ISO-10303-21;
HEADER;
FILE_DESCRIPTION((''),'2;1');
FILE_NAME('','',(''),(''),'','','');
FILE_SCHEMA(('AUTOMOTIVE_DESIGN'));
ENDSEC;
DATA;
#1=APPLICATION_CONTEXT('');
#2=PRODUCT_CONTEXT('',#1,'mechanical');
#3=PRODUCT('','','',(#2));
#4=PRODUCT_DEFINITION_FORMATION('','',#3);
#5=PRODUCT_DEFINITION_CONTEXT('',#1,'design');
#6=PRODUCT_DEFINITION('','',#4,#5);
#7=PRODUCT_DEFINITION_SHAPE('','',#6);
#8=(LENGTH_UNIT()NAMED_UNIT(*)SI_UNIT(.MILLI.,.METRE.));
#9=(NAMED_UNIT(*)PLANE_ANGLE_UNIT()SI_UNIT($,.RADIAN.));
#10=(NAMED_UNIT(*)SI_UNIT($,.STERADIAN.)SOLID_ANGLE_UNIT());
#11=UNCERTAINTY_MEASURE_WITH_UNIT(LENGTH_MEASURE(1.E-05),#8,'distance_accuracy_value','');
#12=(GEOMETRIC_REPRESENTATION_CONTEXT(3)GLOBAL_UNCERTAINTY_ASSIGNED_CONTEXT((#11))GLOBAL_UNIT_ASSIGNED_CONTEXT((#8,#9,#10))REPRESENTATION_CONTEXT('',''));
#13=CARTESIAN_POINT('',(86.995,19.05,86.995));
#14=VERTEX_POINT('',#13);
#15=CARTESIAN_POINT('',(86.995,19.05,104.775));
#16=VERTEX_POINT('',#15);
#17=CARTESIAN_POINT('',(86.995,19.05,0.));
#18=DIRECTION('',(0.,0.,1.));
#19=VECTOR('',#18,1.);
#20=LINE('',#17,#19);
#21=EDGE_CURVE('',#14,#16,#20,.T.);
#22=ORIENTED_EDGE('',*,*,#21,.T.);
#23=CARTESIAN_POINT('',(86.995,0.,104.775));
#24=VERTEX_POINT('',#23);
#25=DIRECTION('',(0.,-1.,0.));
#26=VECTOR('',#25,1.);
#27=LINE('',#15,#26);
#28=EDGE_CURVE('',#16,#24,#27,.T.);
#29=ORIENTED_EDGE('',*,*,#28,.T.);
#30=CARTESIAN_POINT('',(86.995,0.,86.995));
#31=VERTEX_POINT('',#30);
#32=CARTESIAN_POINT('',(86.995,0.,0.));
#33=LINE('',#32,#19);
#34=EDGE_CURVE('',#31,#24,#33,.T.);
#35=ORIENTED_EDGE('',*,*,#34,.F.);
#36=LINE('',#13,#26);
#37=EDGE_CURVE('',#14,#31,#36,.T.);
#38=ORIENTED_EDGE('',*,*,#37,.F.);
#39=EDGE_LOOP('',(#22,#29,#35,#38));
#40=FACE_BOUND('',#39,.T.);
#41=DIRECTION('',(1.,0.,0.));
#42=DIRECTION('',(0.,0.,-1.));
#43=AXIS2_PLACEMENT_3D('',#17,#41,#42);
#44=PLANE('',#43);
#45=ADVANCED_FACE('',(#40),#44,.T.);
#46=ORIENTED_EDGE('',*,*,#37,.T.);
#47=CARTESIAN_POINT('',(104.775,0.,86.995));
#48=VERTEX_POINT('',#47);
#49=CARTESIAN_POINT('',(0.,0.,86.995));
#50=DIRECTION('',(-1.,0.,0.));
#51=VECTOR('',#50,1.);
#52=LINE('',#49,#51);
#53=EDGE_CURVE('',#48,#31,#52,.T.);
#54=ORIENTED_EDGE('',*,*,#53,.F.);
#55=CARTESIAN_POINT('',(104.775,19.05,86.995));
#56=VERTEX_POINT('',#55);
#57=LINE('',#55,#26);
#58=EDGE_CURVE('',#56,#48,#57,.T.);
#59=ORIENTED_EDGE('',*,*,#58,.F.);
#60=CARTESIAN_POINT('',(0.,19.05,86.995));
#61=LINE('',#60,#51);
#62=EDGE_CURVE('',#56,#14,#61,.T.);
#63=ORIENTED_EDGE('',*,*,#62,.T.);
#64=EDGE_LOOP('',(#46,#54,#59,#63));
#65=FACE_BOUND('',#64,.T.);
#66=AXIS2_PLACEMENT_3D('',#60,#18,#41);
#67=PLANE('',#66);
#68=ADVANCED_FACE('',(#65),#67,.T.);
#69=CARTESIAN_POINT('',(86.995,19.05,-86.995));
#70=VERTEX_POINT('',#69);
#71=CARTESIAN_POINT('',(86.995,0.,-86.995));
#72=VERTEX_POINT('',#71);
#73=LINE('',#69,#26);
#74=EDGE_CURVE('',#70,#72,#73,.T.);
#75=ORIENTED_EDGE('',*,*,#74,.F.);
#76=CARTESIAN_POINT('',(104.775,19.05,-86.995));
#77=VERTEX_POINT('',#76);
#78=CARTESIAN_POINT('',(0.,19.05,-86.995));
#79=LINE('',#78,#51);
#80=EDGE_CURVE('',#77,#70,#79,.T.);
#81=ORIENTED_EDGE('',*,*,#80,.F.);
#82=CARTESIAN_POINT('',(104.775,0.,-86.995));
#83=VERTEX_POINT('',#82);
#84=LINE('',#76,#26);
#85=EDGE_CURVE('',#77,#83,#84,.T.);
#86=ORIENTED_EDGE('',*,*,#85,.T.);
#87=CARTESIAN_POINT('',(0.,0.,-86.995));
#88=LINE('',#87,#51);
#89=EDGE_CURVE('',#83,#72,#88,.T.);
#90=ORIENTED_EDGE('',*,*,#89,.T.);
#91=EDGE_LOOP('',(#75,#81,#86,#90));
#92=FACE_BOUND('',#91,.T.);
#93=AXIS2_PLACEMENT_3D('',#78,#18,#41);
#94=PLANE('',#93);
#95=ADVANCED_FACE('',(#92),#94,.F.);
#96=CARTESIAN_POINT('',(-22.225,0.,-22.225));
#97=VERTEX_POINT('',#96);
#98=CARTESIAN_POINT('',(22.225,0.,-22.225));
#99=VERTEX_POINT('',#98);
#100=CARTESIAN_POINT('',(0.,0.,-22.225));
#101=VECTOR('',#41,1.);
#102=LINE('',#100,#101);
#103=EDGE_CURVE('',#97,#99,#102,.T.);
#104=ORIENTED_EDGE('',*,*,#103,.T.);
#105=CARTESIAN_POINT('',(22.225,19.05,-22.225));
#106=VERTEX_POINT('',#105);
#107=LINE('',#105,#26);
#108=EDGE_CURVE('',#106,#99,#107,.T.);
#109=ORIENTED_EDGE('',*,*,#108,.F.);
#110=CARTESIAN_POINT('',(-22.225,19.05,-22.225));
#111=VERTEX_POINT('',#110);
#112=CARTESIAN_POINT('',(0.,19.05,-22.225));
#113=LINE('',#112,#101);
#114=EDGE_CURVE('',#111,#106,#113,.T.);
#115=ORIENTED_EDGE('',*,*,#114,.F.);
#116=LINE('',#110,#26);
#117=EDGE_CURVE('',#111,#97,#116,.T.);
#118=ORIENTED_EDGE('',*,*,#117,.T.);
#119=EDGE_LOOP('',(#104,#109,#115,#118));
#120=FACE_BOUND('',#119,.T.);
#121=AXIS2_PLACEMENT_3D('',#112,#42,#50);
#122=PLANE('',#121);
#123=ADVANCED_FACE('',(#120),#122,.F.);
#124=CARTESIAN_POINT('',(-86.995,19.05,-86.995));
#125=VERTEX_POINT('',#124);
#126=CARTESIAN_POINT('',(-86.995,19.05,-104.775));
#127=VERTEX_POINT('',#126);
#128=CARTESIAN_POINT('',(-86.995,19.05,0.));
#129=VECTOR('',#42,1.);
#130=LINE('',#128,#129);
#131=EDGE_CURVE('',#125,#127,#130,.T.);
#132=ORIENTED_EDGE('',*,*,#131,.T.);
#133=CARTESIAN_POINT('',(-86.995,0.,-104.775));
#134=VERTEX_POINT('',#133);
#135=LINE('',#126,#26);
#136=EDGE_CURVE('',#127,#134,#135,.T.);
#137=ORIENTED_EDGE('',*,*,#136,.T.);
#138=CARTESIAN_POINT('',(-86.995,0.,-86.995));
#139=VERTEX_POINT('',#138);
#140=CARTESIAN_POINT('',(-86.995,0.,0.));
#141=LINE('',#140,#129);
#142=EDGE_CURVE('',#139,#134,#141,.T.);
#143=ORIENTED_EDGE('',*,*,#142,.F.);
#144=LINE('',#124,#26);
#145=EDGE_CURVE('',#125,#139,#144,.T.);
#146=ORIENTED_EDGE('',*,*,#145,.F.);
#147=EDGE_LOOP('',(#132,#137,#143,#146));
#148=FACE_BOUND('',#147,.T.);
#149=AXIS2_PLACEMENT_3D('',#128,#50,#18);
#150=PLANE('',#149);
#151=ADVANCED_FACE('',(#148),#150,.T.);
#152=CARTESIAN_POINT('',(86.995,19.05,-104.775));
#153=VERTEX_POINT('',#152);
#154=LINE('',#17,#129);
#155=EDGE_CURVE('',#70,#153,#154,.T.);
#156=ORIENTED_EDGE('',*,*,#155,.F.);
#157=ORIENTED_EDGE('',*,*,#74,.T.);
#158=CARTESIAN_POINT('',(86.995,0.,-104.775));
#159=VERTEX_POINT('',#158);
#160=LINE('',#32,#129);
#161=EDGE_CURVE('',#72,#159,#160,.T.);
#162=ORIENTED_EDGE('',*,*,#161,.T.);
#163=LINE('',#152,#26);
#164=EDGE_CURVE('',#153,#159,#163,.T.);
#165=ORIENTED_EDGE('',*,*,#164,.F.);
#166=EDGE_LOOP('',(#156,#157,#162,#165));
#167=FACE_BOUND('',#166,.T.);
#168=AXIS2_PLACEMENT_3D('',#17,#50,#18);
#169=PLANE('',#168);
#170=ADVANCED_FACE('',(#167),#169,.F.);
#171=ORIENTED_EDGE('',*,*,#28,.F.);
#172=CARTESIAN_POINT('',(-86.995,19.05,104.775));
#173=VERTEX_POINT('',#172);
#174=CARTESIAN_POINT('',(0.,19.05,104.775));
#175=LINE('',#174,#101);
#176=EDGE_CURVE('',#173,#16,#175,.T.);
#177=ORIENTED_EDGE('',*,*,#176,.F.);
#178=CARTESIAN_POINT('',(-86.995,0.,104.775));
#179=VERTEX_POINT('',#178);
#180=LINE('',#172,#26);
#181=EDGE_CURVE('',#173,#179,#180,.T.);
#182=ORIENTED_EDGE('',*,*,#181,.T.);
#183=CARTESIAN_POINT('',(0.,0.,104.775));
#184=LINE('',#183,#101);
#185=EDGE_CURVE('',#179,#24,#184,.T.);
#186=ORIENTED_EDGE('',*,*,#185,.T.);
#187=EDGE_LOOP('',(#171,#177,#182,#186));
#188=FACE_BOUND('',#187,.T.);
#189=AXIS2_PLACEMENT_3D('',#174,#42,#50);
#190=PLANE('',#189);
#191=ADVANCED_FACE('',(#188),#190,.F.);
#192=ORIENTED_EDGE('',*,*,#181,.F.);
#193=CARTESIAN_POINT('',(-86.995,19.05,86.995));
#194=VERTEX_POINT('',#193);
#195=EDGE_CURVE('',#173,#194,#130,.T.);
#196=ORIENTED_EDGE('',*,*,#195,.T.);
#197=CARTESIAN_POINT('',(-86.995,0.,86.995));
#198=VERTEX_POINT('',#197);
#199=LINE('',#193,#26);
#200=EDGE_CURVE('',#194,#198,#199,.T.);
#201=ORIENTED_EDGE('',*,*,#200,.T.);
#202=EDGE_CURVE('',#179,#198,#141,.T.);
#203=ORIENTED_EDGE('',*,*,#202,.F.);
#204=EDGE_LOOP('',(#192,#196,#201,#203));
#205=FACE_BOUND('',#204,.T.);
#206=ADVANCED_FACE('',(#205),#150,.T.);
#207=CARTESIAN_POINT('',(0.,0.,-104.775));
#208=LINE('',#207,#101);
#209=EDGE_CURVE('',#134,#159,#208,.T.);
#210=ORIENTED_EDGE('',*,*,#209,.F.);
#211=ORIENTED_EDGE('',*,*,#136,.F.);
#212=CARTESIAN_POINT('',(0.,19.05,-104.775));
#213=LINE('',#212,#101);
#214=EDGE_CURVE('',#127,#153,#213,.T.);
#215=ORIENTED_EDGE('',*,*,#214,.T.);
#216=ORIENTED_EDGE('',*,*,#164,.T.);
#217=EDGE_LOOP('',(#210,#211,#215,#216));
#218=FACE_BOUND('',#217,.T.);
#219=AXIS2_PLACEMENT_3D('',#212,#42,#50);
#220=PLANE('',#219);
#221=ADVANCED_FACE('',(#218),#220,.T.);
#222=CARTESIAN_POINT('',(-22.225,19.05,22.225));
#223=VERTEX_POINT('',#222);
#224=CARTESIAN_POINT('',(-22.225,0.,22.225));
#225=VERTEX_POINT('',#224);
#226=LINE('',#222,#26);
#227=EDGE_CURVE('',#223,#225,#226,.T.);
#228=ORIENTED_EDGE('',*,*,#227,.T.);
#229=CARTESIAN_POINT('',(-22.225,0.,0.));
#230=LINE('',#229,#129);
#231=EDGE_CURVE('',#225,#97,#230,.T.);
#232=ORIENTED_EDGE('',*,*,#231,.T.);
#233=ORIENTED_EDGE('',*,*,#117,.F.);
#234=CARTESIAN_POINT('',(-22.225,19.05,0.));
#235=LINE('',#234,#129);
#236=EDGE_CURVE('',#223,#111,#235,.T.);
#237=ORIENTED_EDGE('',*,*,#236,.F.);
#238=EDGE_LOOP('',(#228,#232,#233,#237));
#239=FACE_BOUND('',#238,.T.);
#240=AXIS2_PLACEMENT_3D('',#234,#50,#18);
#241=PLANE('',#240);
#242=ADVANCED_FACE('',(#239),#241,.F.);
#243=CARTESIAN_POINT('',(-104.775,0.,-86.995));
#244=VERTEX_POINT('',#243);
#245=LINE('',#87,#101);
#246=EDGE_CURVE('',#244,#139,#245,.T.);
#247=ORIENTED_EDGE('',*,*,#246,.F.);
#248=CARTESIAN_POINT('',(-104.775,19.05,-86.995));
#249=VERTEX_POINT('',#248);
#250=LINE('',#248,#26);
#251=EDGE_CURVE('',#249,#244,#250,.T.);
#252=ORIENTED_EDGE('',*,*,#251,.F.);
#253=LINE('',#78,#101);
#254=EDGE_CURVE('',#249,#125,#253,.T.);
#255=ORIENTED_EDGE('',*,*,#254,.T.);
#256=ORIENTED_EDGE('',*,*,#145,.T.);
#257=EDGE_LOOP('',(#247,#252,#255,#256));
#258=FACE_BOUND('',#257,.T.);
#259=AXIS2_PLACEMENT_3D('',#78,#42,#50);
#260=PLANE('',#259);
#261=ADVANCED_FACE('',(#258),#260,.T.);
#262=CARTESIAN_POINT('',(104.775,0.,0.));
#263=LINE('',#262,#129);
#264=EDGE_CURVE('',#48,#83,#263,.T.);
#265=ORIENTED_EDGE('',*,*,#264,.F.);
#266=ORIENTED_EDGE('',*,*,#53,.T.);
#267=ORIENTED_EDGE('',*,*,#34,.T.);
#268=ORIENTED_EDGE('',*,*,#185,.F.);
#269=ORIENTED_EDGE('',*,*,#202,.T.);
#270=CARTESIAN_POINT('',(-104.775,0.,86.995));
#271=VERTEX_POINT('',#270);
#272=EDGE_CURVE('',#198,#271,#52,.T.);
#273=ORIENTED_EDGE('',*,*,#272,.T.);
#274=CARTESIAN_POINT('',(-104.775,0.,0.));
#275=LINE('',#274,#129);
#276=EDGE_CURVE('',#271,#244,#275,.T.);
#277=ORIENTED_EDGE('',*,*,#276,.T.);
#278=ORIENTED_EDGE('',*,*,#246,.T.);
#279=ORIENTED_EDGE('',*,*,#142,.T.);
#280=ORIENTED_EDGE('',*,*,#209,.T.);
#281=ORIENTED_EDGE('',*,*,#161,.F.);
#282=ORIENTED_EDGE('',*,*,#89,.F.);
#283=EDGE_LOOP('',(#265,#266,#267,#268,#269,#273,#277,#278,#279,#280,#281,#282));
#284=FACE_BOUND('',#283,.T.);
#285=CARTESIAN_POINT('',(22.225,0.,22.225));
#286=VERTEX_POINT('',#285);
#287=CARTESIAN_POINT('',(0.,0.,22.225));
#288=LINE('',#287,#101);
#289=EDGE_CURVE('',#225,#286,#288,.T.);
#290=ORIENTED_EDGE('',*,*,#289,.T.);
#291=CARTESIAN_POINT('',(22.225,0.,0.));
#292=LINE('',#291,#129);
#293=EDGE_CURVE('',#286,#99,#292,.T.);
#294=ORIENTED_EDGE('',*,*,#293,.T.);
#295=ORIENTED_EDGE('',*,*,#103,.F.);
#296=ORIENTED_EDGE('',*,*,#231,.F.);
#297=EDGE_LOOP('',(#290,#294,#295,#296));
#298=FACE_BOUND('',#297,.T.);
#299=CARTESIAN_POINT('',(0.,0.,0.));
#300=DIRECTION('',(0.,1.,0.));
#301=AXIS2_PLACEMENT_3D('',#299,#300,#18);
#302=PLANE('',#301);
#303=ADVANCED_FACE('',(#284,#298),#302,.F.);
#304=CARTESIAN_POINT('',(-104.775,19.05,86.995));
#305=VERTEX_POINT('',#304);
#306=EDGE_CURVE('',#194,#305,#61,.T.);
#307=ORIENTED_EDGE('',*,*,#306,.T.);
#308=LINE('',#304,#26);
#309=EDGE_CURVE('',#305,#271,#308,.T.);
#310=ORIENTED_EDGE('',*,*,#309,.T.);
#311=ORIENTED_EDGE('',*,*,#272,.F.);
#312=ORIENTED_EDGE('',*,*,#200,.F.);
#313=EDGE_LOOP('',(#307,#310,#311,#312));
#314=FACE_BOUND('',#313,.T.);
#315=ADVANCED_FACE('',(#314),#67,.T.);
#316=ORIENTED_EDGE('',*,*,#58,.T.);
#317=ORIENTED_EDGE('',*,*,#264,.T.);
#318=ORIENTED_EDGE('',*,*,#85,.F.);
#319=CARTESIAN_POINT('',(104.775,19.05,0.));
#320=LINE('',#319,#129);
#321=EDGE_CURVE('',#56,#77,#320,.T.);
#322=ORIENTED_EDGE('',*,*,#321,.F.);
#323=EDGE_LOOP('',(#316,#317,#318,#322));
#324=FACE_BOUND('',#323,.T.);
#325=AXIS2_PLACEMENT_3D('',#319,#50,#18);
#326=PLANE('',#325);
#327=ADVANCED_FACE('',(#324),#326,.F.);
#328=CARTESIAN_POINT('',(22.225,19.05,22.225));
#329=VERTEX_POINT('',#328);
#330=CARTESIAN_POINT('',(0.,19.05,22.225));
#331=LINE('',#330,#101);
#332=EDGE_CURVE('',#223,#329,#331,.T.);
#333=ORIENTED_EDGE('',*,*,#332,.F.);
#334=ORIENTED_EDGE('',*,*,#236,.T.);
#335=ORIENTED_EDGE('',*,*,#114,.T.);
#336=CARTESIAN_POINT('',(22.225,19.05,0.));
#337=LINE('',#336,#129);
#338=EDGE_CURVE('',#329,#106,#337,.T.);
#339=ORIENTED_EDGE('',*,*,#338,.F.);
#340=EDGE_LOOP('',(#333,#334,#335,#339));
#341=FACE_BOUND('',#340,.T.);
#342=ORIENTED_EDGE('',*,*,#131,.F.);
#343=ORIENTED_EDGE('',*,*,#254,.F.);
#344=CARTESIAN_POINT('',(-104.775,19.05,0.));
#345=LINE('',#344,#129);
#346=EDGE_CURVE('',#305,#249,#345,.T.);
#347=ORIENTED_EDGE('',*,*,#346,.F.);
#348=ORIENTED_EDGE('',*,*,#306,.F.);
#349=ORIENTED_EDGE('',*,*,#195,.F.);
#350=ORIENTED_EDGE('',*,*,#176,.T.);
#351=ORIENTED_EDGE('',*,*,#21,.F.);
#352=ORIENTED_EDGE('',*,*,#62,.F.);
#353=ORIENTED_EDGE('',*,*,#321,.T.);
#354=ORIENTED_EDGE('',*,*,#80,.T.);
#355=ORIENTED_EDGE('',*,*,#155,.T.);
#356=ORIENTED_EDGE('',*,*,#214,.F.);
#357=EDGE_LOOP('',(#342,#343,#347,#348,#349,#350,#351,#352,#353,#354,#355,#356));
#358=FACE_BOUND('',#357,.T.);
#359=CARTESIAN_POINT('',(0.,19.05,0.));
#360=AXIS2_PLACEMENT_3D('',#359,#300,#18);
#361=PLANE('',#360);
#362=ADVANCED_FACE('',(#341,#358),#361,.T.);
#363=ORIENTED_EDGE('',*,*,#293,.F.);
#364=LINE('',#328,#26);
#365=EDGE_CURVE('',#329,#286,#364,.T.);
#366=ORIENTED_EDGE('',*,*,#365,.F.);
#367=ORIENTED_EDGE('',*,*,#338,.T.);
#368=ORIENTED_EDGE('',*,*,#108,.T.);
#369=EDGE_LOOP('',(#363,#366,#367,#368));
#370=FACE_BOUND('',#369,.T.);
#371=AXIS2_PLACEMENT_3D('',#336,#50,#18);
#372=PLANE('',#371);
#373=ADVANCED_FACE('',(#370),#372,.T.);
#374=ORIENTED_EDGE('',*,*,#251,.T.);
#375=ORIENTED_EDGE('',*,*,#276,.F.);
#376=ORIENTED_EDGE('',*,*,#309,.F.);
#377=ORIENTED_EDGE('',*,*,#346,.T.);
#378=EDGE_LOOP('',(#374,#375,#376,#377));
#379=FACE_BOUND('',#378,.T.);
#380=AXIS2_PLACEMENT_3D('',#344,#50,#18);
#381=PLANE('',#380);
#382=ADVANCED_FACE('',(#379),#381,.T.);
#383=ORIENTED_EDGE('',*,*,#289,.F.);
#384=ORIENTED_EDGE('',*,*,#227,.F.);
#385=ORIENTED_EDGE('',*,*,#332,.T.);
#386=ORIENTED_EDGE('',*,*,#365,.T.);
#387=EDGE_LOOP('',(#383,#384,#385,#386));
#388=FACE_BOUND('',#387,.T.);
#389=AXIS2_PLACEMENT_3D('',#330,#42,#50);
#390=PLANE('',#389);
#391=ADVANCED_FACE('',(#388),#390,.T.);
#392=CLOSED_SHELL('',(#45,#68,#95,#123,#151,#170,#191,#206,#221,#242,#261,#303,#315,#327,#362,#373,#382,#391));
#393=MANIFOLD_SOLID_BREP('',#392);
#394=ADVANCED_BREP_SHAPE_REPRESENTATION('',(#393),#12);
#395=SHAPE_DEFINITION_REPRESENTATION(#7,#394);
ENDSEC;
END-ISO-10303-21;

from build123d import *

# Parameters (mm, degrees)
SKETCH1_W           = 44.45
SKETCH1_H           = 44.45
BOSS_EXTRUDE1_DEPTH = 19.05


with BuildPart() as part:
    # Sketch1 → Boss-Extrude1 (new body)
    with BuildSketch(Plane(origin=(0, 0, 0), x_dir=(1, 0, 0), z_dir=(0, 1, 0))):
        Polygon((-86.995, 86.995), (-104.775, 86.995), (-104.775, -86.995), (-86.995, -86.995), (-86.995, -104.775), (86.995, -104.775), (86.995, -86.995), (104.775, -86.995), (104.775, 86.995), (86.995, 86.995), (86.995, 104.775), (-86.995, 104.775), align=None)
        Rectangle(SKETCH1_W, SKETCH1_H, mode=Mode.SUBTRACT)
    extrude(amount=BOSS_EXTRUDE1_DEPTH)


solid = part.part
